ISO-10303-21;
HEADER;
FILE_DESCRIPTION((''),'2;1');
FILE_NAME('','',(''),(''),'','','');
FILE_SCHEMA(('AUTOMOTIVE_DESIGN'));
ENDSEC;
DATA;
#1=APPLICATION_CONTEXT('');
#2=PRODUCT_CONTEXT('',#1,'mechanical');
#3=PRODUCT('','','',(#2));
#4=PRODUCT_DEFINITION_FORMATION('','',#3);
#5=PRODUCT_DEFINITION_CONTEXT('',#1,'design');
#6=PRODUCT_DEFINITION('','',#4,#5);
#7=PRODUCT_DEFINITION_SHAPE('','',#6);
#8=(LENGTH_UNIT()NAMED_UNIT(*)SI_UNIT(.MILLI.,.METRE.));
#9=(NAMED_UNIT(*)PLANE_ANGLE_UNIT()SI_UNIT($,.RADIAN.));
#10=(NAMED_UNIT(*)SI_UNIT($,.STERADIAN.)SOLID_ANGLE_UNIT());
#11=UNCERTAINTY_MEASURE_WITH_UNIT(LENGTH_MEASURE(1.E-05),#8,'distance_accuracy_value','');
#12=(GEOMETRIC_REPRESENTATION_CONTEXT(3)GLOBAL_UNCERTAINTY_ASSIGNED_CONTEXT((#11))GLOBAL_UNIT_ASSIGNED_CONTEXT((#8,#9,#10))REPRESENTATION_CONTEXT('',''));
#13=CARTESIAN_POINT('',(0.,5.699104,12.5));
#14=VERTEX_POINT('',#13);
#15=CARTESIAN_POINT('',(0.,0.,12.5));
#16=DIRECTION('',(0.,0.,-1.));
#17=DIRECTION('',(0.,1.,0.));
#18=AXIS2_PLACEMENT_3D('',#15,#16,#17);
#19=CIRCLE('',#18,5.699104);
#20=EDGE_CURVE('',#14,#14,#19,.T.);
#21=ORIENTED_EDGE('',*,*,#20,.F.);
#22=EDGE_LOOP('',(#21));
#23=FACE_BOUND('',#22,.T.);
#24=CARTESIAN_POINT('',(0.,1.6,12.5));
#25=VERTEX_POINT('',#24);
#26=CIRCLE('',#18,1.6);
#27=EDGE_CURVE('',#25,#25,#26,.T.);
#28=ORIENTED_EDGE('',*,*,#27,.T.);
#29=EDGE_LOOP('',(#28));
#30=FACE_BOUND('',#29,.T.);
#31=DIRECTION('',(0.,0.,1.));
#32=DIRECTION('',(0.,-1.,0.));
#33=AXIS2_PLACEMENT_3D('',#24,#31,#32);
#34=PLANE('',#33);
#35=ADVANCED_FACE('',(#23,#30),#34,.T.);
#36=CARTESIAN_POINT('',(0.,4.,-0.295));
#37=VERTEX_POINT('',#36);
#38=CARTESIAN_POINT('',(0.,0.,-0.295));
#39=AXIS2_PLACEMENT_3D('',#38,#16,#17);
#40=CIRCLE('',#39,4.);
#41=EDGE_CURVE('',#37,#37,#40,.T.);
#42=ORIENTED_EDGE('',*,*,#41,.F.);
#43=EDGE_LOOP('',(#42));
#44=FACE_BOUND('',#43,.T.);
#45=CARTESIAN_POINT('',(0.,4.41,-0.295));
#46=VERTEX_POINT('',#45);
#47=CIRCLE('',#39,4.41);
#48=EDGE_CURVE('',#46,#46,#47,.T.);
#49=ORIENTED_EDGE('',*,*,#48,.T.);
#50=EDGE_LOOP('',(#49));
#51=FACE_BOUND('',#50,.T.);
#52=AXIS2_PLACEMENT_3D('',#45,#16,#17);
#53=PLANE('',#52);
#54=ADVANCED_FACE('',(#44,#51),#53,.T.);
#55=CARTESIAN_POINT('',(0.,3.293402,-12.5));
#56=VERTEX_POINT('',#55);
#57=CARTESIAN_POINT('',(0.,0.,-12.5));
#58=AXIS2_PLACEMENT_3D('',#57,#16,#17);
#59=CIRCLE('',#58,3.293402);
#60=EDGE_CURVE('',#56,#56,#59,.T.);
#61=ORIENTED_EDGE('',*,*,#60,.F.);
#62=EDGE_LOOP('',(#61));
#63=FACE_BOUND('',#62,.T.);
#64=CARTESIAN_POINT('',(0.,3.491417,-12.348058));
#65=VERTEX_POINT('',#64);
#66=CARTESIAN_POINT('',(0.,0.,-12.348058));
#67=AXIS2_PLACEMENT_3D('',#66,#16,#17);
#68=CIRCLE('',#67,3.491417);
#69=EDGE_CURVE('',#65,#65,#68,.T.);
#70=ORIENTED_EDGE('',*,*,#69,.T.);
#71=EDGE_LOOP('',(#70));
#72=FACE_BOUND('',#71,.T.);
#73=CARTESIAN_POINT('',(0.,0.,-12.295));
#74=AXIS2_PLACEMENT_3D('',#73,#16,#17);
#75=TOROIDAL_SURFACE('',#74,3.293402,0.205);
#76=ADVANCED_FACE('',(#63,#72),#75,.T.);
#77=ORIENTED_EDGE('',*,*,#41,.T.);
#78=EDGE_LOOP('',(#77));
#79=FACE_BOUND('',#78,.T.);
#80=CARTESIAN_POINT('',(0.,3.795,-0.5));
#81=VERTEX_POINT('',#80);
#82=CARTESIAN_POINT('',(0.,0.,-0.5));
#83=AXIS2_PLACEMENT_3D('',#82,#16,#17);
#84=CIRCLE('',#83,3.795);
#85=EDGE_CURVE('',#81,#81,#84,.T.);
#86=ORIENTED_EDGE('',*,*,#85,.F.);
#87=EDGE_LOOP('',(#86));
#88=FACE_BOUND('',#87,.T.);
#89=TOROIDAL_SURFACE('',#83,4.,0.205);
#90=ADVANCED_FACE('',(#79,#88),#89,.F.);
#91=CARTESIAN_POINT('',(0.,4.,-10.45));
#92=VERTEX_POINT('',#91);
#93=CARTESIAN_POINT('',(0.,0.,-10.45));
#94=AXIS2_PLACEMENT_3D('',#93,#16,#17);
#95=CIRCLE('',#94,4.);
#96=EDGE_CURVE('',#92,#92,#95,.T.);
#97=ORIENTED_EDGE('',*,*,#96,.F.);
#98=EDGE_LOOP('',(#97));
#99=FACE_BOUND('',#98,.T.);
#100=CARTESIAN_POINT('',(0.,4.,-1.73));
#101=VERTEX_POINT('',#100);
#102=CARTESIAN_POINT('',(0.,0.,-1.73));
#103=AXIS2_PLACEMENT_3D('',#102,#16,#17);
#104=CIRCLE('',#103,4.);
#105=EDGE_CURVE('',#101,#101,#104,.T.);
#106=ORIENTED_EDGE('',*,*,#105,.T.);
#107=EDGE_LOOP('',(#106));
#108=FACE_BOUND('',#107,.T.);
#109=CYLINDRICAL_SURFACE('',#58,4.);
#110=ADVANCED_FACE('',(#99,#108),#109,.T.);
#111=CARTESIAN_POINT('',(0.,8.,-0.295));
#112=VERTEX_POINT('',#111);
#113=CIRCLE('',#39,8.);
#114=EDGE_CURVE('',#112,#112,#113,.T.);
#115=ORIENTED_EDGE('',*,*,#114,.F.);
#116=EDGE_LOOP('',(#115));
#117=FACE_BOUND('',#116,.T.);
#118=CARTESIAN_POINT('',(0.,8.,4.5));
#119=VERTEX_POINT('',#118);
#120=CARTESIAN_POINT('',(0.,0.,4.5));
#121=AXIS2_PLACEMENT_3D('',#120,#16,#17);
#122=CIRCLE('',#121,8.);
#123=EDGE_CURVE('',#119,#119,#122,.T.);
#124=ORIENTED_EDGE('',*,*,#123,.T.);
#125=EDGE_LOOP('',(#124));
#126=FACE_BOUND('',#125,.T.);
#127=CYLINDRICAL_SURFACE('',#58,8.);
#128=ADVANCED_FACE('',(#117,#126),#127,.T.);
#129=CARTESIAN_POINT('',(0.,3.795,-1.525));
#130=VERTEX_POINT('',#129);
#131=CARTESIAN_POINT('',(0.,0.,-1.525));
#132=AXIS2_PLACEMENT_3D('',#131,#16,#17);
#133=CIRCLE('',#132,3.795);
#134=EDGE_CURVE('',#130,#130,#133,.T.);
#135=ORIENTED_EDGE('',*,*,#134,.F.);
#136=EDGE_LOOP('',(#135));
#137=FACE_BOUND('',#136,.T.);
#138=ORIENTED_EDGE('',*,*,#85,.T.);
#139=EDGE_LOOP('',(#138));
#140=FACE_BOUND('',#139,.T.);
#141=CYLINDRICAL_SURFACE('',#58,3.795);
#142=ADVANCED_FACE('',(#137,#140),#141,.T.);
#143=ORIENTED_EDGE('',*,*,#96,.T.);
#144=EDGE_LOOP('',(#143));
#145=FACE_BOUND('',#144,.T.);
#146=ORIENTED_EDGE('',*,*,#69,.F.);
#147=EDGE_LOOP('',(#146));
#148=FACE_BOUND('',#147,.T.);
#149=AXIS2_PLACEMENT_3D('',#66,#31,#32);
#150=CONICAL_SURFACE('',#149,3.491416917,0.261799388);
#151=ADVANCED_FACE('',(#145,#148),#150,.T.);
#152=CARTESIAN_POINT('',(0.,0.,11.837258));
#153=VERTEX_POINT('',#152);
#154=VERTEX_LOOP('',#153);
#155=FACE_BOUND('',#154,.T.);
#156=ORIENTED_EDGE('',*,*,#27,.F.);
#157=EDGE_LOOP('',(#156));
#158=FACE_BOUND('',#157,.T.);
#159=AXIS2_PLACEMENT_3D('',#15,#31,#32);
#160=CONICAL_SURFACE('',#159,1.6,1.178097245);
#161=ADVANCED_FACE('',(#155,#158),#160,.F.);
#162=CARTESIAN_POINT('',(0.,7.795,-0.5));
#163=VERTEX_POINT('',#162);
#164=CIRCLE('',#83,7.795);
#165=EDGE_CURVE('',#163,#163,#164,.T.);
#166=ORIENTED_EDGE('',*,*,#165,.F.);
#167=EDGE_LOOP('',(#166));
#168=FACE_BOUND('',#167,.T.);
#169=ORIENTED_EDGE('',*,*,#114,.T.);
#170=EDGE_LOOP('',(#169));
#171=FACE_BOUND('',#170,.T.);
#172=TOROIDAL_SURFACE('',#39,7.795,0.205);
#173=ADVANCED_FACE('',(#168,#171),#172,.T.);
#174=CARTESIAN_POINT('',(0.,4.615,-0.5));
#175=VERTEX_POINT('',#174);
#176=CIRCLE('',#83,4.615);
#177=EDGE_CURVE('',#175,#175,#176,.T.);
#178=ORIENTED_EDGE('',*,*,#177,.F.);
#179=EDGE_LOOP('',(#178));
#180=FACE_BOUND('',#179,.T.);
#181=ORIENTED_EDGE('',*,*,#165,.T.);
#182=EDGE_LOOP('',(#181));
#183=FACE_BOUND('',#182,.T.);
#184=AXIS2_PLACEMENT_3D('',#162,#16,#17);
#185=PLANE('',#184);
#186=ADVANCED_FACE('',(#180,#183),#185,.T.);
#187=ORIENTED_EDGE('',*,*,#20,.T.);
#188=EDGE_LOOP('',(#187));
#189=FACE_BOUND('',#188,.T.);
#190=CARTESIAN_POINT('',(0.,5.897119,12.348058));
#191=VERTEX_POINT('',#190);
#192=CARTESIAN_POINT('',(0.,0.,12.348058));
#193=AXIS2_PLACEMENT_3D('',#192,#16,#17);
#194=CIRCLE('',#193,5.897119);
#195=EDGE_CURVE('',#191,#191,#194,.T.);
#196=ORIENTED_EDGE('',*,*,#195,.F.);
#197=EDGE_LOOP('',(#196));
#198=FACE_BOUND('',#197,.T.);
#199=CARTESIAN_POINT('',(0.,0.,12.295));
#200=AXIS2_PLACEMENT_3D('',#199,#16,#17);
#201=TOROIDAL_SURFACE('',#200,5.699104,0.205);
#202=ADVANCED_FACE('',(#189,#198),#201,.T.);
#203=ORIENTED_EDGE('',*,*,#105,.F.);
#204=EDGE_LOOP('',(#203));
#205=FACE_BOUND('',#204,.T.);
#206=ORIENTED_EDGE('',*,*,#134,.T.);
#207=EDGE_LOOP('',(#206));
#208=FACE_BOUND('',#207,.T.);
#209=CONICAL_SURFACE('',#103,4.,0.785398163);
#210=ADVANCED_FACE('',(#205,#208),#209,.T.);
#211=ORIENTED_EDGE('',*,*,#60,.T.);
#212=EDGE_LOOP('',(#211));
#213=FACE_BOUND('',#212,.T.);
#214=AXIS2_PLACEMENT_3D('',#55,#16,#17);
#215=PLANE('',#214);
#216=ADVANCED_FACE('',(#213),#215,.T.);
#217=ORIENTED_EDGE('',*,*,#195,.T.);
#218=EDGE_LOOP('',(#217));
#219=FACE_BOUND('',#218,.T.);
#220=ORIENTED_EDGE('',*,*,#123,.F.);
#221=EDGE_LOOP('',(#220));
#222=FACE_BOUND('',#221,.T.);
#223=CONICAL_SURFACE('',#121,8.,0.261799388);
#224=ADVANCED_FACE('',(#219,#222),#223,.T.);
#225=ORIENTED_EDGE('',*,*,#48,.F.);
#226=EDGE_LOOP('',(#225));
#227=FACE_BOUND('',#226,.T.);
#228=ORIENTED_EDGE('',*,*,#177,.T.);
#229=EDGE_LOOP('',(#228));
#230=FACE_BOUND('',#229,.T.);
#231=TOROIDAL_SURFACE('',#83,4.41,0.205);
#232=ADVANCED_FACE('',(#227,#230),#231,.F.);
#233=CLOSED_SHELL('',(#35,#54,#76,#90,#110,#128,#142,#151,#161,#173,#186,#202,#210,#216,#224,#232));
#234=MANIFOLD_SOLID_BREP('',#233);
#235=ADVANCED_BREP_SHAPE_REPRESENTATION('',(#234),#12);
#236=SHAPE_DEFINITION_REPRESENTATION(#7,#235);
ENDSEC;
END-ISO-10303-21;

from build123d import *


with BuildPart() as part:
    # Sketch1 → Revolve1 (revolve)
    with BuildSketch(Plane(origin=(0, 0, 0), x_dir=(0, 0, -1), z_dir=(1, 0, 0))):
        with BuildLine():
            Line((-12.5, 1.6), (-12.5, 5.699104428))
            ThreePointArc((-12.5, 5.699104428), (-12.457637435, 5.823900521), (-12.348057904, 5.897119222))
            Line((-12.348057904, 5.897119222), (-4.5, 8))
            Line((-4.5, 8), (0.295, 8))
            ThreePointArc((0.295, 8), (0.43995689, 7.93995689), (0.5, 7.795))
            Line((0.5, 7.795), (0.5, 4.615))
            ThreePointArc((0.5, 4.615), (0.35504311, 4.55495689), (0.295, 4.41))
            Line((0.295, 4.41), (0.295, 4))
            ThreePointArc((0.295, 4), (0.35504311, 3.85504311), (0.5, 3.795))
            Line((0.5, 3.795), (1.525, 3.795))
            Line((1.525, 3.795), (1.73, 4))
            Line((1.73, 4), (10.45, 4))
            Line((10.45, 4), (12.348057904, 3.491416917))
            ThreePointArc((12.348057904, 3.491416917), (12.457637435, 3.418198216), (12.5, 3.293402123))
            Line((12.5, 3.293402123), (12.5, 0))
            Line((12.5, 0), (-11.8372583, 0))
            Line((-11.8372583, 0), (-12.5, 1.6))
        make_face()
    revolve(axis=Axis((0, 0, -12.5), (0, 0, 1)))


solid = part.part
